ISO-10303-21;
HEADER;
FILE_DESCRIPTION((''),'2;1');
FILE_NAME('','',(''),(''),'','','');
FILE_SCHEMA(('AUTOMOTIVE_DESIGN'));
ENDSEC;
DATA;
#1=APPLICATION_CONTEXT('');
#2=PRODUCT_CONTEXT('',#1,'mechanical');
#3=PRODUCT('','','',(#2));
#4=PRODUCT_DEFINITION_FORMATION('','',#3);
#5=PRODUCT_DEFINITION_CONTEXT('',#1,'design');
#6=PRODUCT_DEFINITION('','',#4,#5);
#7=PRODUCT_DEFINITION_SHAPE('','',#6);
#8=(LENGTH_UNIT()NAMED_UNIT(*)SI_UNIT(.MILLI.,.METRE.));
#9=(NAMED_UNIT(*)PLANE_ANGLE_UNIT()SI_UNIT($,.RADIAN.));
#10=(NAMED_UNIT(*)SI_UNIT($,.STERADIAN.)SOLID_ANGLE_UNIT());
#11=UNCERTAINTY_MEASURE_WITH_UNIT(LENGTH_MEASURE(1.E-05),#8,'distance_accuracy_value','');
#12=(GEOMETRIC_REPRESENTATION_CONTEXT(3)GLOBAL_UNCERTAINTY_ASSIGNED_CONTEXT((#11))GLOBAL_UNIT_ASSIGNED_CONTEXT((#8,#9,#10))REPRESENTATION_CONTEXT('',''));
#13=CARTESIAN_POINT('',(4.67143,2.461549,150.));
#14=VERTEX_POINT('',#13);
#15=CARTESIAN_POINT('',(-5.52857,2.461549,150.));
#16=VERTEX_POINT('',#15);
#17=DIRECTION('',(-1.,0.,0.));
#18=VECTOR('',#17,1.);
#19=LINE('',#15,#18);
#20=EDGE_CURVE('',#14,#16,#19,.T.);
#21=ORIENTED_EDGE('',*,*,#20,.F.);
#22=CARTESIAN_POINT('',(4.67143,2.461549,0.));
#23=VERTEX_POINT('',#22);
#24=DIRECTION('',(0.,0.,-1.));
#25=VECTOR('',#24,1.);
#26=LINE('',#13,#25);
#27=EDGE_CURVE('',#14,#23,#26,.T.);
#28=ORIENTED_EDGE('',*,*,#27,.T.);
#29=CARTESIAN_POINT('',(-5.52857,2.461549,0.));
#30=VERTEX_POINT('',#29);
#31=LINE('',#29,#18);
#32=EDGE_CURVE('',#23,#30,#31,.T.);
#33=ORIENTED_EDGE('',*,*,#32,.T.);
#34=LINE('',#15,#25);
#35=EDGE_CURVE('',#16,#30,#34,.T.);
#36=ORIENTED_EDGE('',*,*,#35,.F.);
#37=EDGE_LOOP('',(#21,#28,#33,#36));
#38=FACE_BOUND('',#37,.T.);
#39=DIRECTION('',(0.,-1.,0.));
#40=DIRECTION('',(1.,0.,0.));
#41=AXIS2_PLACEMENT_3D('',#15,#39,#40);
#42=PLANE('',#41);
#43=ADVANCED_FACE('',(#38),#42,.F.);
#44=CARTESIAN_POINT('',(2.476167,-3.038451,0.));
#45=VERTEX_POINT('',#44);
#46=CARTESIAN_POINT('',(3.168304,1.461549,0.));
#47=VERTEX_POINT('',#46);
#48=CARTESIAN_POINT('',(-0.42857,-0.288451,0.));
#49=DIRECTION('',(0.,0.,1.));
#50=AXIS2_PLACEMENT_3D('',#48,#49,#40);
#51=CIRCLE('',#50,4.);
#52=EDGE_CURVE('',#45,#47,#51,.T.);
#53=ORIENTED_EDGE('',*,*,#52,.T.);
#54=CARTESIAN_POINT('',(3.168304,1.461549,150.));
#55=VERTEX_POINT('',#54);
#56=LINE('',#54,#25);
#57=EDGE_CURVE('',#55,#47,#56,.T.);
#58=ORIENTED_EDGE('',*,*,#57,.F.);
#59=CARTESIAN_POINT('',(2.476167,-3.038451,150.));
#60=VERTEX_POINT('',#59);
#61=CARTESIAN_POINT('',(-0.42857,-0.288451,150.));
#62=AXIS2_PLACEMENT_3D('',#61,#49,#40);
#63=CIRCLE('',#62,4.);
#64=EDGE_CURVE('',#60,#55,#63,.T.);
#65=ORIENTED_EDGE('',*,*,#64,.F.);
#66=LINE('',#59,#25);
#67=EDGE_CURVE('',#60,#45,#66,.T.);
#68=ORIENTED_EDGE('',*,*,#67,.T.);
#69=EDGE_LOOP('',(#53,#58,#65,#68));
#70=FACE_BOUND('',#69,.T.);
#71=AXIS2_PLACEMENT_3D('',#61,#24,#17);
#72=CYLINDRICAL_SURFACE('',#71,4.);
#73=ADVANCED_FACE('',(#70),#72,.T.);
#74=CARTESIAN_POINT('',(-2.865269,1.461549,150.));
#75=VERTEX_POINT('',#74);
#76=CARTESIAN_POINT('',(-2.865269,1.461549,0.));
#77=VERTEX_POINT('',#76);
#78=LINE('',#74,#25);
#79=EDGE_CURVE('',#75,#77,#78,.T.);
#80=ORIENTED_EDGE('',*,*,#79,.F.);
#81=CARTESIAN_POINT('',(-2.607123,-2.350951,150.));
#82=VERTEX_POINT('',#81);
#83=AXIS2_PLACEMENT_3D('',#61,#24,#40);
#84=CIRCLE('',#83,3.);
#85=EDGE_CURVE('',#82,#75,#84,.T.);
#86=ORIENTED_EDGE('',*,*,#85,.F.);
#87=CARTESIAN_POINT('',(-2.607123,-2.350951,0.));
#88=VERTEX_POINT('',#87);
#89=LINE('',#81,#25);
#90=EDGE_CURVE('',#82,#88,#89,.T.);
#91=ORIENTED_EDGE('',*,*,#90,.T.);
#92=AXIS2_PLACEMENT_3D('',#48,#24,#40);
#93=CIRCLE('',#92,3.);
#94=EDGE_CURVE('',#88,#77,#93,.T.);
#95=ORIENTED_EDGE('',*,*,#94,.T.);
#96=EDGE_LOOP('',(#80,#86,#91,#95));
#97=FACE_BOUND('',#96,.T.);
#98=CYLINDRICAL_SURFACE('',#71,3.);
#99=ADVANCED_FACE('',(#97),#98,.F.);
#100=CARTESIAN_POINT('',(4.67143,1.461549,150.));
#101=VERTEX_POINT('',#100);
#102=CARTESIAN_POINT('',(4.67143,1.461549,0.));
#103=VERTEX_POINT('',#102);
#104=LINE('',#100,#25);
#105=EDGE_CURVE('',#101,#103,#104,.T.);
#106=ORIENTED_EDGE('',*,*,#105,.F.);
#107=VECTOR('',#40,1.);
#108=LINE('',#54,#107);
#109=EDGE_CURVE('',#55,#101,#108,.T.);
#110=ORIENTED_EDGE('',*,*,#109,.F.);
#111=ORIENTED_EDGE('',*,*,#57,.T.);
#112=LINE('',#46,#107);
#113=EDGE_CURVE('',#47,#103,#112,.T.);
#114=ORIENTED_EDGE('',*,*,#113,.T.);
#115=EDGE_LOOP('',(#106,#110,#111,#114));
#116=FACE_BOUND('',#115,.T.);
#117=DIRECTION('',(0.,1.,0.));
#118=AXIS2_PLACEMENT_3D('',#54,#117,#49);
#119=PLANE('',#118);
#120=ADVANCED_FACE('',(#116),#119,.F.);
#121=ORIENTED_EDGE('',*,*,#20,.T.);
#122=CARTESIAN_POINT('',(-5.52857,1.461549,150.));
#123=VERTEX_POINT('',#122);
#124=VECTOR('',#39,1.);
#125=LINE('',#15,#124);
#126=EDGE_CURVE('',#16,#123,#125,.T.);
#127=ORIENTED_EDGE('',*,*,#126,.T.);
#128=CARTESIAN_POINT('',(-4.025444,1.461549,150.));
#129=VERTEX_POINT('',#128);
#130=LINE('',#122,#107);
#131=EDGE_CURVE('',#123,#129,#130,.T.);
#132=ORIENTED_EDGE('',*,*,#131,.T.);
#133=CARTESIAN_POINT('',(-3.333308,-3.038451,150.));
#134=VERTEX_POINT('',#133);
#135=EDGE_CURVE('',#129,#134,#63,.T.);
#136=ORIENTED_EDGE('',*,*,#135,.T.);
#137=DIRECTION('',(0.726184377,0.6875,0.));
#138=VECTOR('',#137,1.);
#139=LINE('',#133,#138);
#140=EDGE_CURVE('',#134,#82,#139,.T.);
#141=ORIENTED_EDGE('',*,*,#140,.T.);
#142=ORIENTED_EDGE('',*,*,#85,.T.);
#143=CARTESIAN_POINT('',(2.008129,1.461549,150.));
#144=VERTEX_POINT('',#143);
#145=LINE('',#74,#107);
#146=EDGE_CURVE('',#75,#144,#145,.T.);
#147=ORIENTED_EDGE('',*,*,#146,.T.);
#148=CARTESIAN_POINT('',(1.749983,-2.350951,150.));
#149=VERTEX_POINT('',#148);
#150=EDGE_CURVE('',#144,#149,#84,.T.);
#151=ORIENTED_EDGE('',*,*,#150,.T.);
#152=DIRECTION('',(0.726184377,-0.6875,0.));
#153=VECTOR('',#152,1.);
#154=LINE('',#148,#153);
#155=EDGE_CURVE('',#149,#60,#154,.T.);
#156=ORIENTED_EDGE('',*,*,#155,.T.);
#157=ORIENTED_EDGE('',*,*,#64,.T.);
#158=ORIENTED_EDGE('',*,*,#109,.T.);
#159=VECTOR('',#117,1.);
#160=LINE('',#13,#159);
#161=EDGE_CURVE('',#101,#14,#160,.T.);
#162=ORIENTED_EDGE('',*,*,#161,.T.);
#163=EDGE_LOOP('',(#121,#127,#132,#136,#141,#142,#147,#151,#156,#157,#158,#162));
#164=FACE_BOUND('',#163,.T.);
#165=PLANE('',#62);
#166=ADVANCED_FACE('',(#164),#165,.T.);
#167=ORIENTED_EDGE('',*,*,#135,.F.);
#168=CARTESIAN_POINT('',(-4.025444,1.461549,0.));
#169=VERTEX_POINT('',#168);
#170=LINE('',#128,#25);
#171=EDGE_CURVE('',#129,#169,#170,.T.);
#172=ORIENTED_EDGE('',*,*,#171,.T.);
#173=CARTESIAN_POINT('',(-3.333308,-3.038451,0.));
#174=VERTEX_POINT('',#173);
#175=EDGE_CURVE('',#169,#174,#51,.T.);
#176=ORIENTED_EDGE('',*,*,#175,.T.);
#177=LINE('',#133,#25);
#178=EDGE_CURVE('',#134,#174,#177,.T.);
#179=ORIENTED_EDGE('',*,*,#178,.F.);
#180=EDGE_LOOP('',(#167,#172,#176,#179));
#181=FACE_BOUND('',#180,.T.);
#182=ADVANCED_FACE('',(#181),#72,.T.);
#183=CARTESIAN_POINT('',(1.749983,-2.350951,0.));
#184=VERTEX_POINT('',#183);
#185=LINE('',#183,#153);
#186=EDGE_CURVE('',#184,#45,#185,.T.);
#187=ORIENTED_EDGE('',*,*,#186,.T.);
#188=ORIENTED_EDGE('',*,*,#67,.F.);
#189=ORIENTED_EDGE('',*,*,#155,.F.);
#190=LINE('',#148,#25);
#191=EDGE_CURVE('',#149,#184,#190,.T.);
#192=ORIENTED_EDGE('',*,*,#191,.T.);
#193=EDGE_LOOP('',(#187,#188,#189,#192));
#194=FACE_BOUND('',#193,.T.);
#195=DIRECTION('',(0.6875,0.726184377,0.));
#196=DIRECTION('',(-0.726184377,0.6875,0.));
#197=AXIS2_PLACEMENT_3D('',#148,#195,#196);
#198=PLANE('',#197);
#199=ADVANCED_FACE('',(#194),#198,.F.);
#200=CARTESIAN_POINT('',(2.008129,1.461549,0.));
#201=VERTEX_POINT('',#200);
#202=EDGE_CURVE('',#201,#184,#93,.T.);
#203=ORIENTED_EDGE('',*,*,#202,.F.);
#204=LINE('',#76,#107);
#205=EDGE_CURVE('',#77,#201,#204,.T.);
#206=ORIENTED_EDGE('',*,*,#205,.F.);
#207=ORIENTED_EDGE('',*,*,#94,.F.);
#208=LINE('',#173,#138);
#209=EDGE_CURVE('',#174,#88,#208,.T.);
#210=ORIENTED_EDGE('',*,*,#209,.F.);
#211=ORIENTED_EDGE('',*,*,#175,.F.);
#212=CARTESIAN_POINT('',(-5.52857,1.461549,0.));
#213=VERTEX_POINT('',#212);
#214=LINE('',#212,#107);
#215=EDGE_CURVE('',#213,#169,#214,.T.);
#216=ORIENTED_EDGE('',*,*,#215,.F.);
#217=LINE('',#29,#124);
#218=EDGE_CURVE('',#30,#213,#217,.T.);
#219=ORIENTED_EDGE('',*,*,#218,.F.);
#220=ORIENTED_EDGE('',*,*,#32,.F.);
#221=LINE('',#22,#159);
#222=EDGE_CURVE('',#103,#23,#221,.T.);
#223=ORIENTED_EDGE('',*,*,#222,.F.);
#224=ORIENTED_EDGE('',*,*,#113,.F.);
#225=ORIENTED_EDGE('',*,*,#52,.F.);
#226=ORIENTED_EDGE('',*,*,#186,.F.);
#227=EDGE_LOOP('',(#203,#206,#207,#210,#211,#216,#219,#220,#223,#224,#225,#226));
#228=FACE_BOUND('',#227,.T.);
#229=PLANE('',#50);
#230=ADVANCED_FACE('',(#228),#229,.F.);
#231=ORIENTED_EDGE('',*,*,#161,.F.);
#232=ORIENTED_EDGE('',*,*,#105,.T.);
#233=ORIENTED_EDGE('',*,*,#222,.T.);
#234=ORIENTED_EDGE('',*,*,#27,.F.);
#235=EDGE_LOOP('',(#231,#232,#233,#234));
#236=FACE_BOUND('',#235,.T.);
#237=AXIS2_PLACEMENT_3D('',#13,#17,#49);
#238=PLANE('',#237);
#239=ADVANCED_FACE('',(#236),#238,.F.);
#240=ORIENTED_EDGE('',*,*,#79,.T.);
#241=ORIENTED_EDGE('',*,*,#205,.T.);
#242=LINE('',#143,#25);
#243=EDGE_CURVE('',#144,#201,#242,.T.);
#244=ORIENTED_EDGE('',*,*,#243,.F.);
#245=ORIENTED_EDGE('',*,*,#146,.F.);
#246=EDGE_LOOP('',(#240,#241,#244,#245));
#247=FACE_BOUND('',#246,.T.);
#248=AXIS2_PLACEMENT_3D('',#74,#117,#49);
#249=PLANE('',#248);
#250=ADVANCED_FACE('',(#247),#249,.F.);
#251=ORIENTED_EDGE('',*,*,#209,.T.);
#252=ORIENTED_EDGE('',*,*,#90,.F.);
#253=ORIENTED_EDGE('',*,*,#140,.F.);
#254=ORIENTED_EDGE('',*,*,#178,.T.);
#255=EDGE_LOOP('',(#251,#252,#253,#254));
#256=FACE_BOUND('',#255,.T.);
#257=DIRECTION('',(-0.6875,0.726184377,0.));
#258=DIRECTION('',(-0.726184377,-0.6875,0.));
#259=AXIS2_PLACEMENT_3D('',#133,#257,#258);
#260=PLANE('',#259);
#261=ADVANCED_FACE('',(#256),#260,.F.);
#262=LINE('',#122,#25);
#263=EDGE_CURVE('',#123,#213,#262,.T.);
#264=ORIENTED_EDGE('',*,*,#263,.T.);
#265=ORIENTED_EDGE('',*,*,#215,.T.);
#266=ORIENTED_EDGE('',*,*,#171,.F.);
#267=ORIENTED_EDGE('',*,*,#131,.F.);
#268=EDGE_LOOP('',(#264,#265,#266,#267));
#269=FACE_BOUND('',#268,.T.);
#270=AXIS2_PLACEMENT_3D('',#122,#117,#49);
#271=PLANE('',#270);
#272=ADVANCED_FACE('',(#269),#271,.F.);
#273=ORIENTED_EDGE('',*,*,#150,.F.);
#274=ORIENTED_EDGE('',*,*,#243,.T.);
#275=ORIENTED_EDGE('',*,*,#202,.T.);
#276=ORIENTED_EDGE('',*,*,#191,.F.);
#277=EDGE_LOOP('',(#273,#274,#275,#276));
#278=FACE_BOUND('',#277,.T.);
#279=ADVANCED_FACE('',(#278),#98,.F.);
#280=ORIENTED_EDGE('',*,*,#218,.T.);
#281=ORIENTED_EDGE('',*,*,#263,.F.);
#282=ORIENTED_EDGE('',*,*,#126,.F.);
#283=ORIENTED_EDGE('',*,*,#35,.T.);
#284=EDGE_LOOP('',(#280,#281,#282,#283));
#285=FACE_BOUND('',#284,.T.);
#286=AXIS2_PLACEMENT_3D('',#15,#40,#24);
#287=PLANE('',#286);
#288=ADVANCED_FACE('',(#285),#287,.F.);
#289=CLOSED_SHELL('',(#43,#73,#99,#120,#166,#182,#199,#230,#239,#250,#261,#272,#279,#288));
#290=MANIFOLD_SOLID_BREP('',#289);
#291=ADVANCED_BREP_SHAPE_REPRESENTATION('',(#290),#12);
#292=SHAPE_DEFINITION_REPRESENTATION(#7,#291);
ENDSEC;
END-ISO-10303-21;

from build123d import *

# Parameters (mm, degrees)
EXTRUDE_1_DEPTH = 150


with BuildPart() as part:
    # 草图1 → 凸台-拉伸1 (new body)
    with BuildSketch(Plane.XY):
        with BuildLine():
            Line((-5.528570028, 2.461548542), (4.671429972, 2.461548542))
            Line((4.671429972, 2.461548542), (4.671429972, 1.461548542))
            Line((4.671429972, 1.461548542), (3.168303615, 1.461548542))
            ThreePointArc((3.168303615, 1.461548542), (3.524939412, -0.896532954), (2.476167482, -3.038451458))
            Line((2.476167482, -3.038451458), (1.749983104, -2.350951458))
            ThreePointArc((1.749983104, -2.350951458), (2.564576505, -0.491118257), (2.008128558, 1.461548542))
            Line((2.008128558, 1.461548542), (-2.865268614, 1.461548542))
            ThreePointArc((-2.865268614, 1.461548542), (-3.421716561, -0.491118257), (-2.60712316, -2.350951458))
            Line((-2.60712316, -2.350951458), (-3.333307538, -3.038451458))
            ThreePointArc((-3.333307538, -3.038451458), (-4.382079468, -0.896532954), (-4.02544367, 1.461548542))
            Line((-4.02544367, 1.461548542), (-5.528570028, 1.461548542))
            Line((-5.528570028, 1.461548542), (-5.528570028, 2.461548542))
        make_face()
    extrude(amount=EXTRUDE_1_DEPTH)


solid = part.part
